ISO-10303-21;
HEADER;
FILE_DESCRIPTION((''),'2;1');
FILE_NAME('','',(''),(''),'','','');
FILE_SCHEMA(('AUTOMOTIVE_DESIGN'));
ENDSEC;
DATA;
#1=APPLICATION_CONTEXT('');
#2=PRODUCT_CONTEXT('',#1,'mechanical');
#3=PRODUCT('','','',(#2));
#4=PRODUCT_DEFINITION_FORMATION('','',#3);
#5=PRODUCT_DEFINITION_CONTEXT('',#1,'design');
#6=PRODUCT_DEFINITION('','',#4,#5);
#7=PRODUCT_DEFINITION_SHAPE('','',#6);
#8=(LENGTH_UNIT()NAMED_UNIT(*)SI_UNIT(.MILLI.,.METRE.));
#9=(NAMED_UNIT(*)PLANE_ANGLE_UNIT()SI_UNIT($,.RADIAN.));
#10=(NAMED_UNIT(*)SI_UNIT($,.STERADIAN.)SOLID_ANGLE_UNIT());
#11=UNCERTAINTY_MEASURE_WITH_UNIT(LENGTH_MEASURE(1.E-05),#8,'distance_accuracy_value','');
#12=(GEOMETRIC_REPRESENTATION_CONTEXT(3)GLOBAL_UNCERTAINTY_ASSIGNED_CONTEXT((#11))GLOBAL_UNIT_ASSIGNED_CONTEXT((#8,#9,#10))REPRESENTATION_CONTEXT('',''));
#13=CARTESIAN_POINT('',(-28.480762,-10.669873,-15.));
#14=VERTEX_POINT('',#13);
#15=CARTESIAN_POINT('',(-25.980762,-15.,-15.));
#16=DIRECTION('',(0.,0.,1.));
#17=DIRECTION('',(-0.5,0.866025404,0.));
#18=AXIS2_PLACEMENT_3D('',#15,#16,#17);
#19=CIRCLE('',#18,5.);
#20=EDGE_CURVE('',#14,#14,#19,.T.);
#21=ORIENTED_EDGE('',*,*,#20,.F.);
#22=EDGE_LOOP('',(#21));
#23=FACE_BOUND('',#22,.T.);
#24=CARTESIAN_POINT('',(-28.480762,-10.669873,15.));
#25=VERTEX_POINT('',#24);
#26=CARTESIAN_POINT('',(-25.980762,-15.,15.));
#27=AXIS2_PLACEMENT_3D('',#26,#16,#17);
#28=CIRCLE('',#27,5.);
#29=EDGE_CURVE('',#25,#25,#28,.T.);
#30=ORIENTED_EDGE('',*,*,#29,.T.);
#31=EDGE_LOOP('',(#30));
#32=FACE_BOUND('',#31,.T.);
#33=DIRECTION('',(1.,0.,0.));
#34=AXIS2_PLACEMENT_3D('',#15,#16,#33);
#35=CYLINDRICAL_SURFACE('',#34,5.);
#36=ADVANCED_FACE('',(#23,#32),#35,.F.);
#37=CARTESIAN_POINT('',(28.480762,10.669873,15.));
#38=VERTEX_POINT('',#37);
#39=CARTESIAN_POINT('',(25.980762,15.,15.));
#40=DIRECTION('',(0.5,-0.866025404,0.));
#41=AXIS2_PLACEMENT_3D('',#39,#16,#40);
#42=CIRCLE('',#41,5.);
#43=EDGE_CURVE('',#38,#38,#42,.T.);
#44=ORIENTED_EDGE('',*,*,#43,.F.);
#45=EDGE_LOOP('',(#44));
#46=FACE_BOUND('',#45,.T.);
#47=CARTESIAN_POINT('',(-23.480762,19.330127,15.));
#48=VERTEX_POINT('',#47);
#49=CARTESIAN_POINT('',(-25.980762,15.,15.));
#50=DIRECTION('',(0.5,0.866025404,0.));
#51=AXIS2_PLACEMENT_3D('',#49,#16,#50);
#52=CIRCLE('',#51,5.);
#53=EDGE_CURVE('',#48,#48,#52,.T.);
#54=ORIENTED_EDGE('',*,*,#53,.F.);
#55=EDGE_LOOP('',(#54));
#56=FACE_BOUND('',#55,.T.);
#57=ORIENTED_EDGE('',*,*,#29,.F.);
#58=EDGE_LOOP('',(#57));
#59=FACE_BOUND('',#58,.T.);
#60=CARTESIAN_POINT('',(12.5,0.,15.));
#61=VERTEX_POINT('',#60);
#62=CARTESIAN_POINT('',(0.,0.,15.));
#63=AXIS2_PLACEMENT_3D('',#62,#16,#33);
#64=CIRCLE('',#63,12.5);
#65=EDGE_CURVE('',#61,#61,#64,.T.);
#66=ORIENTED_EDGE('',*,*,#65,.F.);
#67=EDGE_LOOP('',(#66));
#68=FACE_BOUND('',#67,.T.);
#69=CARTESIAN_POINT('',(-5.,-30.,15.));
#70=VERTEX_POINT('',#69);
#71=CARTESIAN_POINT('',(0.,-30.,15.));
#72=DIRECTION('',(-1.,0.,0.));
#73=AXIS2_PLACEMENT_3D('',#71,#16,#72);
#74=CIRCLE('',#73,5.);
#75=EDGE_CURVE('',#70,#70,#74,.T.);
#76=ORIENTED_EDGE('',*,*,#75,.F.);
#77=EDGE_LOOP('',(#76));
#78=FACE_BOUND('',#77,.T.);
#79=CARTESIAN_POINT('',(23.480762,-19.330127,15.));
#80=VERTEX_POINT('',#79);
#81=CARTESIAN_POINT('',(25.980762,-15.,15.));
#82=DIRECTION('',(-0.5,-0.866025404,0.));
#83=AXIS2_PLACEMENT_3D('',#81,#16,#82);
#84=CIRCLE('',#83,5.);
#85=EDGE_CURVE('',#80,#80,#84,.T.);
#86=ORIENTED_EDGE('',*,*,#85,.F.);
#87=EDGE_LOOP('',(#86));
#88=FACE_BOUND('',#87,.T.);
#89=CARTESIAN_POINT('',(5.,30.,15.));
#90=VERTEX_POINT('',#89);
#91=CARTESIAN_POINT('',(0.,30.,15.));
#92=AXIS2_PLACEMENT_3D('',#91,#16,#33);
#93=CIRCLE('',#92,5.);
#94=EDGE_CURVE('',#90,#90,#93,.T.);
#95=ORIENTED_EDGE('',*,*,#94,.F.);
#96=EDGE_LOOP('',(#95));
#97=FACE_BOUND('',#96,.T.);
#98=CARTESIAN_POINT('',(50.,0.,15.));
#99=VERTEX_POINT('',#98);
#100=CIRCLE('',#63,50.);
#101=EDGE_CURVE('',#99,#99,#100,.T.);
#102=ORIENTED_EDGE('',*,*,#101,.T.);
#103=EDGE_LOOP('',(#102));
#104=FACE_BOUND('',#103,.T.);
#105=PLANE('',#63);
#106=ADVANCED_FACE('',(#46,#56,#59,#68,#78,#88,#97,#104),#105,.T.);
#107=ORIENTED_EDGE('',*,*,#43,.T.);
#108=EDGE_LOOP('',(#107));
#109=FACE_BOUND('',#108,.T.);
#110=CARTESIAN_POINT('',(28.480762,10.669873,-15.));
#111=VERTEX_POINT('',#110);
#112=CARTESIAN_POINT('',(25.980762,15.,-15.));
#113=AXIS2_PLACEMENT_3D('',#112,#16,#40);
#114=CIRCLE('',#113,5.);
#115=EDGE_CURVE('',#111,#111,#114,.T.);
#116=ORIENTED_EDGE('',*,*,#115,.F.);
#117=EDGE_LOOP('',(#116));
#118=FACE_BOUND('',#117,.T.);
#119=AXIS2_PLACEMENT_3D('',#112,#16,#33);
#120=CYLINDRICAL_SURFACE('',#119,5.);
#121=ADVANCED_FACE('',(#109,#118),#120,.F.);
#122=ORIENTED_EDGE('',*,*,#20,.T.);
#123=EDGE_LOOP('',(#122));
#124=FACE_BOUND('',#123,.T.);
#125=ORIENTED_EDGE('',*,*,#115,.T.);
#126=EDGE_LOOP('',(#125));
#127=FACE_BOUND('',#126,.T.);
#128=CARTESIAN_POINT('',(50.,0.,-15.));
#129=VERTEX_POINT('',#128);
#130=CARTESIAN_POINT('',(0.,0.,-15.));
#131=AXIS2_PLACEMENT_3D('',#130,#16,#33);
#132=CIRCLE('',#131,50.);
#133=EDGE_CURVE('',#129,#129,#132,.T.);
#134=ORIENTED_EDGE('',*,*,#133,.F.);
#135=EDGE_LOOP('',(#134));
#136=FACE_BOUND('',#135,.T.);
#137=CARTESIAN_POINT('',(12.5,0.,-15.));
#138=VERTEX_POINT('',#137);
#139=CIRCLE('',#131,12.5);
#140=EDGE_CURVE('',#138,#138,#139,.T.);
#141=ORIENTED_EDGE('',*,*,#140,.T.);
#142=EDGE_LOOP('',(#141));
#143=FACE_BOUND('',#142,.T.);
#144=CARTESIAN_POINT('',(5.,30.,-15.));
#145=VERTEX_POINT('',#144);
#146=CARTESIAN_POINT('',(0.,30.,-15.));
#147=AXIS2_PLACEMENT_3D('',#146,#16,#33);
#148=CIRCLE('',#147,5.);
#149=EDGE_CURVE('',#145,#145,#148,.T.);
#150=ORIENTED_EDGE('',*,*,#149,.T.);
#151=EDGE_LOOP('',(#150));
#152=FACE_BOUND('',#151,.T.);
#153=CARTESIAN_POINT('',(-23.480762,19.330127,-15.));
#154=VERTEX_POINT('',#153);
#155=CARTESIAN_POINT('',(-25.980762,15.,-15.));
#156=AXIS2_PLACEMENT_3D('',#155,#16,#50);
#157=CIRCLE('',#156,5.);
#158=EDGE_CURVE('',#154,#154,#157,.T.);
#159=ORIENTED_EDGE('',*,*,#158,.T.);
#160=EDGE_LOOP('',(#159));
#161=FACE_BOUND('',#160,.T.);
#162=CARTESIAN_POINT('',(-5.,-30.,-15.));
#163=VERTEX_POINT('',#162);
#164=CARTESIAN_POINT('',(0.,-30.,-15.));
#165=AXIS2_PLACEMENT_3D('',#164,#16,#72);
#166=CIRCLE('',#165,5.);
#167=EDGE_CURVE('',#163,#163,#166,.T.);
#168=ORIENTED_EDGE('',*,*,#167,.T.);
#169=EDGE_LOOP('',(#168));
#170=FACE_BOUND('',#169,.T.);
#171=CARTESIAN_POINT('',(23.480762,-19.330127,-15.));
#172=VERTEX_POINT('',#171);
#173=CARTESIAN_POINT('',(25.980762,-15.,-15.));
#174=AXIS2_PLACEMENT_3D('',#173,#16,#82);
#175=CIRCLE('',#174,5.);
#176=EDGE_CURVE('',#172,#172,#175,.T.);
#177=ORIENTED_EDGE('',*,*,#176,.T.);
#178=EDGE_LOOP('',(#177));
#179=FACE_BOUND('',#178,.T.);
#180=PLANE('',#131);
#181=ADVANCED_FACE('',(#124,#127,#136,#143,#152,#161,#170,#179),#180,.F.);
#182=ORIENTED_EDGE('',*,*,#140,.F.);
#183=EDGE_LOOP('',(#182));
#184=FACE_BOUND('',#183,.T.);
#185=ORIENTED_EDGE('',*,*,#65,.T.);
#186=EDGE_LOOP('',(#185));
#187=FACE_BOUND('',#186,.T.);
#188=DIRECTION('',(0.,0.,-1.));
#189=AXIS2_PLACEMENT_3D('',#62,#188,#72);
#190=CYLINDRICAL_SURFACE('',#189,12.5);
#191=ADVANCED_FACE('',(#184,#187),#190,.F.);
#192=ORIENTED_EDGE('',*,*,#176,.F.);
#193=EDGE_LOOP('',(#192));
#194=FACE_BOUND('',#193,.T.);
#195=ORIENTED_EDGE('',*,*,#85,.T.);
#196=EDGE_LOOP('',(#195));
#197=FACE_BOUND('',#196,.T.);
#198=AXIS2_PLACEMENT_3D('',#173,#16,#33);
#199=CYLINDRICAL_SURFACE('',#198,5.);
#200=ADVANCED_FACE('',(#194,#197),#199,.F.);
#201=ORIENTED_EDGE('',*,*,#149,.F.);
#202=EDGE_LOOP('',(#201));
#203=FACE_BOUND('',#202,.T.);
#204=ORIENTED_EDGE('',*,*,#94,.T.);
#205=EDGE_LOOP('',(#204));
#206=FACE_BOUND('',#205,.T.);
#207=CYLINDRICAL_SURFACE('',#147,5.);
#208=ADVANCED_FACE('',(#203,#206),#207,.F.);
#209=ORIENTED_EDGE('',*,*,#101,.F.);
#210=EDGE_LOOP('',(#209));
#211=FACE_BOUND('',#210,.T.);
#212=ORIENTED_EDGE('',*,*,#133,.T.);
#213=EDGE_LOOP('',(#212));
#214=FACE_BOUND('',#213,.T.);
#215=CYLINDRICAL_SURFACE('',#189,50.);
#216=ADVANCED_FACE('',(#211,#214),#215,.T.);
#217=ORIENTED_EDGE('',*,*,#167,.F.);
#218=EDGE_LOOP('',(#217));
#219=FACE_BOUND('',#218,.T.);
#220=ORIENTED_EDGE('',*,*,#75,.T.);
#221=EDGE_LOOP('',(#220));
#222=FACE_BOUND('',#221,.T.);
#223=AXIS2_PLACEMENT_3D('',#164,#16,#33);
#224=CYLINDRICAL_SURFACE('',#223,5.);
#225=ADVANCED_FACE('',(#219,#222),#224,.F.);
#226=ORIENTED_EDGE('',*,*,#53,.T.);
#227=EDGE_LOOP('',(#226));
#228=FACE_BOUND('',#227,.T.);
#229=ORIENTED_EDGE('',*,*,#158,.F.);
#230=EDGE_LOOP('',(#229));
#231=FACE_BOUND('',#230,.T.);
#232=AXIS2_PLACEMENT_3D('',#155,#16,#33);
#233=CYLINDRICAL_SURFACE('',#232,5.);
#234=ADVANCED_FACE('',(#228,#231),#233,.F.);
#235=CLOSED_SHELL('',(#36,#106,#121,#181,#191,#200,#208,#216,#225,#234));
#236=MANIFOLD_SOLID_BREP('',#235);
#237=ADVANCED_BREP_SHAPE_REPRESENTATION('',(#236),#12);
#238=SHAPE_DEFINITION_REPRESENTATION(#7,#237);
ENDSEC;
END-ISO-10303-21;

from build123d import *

# Parameters (mm, degrees)
SKETCH2_R           = 50
SKETCH2_R_2         = 12.5
BOSS_EXTRUDE1_DEPTH = 15
SKETCH6_R           = 5
CUT_EXTRUDE2_DEPTH  = 77.811457479
CIRPATTERN2_COUNT   = 6


with BuildPart() as part:
    # Sketch2 → Boss-Extrude1 (new, symmetric)
    with BuildSketch(Plane.XY):
        Circle(SKETCH2_R)
        Circle(SKETCH2_R_2, mode=Mode.SUBTRACT)
    extrude(amount=BOSS_EXTRUDE1_DEPTH, both=True)

    # Sketch6 → Cut-Extrude2 (cut, through all)
    with BuildSketch(Plane.XY.offset(15)):
        with Locations((0, 30)):
            Circle(SKETCH6_R)
    cut_extrude2 = extrude(amount=-CUT_EXTRUDE2_DEPTH, mode=Mode.SUBTRACT)

    # CirPattern2: Cut-Extrude2 ×6 about axis
    cirpattern2_axis = Axis((0, 0, 0), (0, 0, 1))
    for i in range(1, CIRPATTERN2_COUNT):
        add(cut_extrude2.rotate(cirpattern2_axis, i * 360 / CIRPATTERN2_COUNT), mode=Mode.SUBTRACT)


solid = part.part
